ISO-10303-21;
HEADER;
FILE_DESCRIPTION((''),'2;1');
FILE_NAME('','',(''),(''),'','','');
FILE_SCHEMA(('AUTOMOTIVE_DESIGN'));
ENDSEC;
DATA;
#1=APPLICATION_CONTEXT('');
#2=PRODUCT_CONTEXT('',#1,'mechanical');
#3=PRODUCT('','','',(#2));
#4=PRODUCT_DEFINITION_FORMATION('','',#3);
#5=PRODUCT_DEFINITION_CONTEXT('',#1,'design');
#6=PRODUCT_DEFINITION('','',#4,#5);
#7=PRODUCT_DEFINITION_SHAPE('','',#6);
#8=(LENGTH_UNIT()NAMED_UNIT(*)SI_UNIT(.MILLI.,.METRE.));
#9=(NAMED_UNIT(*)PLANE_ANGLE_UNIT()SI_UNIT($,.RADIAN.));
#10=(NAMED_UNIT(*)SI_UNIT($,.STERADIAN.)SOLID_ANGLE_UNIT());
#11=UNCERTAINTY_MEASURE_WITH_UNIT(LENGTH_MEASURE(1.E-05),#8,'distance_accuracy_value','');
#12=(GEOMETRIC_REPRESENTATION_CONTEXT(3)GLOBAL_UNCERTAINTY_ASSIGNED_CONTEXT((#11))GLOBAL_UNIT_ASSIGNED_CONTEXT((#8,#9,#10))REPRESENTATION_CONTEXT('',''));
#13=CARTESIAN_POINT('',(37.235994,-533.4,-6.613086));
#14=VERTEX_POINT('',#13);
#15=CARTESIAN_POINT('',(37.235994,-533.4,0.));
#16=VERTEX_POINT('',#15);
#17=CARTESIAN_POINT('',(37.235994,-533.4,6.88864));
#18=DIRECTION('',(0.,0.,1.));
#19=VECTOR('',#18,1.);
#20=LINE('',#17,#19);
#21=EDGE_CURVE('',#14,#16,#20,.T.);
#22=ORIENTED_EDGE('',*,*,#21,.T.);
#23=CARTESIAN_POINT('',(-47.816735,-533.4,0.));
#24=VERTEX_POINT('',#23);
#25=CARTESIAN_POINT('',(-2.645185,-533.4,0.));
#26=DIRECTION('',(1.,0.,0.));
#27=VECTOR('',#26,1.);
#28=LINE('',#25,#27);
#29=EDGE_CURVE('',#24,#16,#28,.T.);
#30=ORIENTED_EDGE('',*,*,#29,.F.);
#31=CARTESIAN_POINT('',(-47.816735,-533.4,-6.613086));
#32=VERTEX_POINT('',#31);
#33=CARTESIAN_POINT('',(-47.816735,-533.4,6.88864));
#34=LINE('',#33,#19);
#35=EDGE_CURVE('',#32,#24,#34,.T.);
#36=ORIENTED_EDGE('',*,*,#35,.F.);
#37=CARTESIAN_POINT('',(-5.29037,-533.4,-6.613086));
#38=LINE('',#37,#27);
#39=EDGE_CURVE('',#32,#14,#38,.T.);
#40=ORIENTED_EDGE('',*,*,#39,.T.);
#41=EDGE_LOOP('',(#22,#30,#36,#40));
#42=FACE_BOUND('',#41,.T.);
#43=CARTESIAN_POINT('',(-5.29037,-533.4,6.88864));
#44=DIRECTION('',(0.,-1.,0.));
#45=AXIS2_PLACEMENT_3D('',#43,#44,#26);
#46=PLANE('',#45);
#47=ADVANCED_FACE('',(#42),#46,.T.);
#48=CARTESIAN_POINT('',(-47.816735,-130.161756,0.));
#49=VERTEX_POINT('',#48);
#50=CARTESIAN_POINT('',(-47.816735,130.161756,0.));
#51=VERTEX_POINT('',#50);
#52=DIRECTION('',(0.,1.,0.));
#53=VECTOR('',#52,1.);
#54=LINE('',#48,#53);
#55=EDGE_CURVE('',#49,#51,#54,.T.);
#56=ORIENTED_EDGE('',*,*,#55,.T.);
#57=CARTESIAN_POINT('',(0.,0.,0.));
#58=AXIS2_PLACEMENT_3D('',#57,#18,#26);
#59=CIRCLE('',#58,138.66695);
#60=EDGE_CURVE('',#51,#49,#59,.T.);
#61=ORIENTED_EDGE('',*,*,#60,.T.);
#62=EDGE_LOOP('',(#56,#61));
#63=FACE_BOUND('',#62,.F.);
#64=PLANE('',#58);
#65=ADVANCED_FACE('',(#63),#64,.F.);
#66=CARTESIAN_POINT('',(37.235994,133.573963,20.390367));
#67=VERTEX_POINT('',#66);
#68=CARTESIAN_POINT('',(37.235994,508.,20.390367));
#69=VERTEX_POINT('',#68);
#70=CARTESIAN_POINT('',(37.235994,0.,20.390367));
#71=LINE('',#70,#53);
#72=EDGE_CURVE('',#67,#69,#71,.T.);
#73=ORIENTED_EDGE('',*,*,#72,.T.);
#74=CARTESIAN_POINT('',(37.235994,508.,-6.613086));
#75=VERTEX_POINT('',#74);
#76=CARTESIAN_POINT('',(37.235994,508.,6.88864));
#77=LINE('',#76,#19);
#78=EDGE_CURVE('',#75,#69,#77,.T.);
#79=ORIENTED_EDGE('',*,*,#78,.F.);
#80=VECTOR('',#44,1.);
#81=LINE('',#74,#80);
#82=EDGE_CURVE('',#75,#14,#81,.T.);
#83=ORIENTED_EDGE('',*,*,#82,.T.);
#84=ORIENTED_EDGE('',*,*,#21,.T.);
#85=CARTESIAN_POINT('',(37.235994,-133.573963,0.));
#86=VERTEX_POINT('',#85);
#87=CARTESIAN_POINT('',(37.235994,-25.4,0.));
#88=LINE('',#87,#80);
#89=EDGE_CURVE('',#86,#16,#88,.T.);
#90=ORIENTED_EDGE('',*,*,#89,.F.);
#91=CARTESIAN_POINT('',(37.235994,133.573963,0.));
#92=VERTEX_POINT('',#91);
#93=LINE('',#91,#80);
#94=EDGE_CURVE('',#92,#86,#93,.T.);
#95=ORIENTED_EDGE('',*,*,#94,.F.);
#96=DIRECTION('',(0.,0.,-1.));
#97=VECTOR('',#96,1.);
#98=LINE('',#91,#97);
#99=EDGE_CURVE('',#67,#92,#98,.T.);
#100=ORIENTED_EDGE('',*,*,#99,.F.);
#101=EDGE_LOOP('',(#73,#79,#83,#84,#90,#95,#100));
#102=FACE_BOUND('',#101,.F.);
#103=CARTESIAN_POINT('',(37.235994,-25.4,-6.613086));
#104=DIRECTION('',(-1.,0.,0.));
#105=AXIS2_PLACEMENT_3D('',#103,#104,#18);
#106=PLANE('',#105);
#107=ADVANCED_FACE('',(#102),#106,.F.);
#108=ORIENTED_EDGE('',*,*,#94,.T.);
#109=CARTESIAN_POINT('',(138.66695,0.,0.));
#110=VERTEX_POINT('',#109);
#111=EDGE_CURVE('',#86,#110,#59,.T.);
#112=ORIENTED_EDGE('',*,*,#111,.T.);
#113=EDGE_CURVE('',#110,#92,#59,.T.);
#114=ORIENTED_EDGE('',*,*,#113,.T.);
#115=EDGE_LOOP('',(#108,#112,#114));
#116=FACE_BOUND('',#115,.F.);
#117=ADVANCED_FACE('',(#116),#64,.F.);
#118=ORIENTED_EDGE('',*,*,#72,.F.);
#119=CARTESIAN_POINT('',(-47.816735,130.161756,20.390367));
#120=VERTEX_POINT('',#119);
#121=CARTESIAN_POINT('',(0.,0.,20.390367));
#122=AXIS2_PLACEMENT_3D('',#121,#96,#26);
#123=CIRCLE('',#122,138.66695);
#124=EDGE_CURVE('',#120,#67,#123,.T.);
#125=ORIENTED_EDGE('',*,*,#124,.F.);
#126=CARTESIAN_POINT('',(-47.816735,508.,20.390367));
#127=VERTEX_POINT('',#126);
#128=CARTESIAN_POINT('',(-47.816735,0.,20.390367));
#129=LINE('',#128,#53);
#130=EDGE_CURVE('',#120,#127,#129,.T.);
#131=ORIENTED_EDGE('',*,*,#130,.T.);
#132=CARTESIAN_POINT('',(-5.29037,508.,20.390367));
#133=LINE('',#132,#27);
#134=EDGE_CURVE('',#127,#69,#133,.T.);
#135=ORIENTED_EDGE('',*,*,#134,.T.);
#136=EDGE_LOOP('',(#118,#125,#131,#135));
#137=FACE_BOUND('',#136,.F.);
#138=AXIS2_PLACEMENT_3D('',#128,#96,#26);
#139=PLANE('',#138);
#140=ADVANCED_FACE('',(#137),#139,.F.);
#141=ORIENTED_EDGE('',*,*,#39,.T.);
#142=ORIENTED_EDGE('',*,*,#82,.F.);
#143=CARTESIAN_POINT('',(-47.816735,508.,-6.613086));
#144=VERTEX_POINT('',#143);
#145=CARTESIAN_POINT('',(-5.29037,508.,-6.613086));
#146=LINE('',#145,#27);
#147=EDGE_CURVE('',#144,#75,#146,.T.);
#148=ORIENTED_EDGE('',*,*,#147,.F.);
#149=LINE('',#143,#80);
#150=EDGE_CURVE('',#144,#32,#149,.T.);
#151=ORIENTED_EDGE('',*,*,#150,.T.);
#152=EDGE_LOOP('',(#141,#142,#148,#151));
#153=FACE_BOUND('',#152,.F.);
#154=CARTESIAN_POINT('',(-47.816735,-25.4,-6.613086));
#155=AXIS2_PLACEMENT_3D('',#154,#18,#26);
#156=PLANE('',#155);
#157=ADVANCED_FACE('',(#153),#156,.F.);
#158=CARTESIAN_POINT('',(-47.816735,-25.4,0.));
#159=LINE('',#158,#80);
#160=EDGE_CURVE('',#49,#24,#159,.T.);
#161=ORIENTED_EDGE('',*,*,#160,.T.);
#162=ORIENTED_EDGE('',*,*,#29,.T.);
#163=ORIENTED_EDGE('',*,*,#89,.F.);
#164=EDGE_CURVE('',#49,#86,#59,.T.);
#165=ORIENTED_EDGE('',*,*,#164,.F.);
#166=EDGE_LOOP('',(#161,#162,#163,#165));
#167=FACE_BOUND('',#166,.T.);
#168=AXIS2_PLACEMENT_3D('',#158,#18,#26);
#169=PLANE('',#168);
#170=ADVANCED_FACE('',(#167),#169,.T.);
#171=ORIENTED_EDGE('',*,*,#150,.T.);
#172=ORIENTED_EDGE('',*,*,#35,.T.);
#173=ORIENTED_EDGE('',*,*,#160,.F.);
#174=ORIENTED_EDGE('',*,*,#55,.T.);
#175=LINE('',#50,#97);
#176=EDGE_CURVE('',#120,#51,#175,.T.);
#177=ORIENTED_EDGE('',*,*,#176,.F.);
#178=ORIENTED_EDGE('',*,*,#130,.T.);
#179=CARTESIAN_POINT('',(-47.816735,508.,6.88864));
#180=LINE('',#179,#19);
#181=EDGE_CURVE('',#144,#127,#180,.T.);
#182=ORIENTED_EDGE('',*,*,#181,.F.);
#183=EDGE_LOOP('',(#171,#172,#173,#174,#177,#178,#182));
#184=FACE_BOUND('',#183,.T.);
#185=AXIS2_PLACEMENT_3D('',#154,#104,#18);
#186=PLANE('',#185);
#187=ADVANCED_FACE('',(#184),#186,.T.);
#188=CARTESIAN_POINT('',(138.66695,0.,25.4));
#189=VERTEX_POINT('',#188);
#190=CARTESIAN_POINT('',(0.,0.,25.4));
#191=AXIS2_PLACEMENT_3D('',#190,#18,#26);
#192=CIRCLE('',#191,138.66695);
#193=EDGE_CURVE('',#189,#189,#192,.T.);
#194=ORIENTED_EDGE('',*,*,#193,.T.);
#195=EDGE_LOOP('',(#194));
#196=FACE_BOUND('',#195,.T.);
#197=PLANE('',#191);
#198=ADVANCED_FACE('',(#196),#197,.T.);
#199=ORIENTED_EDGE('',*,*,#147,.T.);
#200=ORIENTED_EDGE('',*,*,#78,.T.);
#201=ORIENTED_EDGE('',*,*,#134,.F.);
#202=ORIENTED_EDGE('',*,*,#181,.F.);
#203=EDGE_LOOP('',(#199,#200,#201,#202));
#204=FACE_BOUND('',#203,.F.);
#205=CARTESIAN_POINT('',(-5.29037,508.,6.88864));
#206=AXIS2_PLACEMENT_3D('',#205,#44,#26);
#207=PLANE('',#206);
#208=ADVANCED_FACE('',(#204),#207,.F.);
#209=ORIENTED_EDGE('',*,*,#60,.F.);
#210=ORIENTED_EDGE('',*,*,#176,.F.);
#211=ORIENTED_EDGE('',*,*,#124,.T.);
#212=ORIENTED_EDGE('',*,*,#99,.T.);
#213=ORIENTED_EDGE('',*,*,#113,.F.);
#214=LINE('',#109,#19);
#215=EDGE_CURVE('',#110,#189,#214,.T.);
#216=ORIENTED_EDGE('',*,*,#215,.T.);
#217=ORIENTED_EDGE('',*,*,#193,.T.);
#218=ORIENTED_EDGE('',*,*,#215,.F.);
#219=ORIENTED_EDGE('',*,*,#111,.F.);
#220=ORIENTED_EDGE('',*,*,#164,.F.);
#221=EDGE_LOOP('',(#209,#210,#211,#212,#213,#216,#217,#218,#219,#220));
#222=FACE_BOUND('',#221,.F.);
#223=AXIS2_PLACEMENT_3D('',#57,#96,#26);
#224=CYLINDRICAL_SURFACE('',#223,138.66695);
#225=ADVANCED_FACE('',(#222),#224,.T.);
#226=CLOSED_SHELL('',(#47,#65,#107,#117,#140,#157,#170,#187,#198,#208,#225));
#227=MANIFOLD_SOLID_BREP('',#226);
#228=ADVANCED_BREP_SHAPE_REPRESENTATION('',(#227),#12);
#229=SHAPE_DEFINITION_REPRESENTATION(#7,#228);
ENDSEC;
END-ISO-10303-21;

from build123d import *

# Parameters (mm, degrees)
F0_R          = 138.6669495236
F1_DEPTH      = 25.4
F2_W          = 85.052728653
F2_H          = 27.0034535788
F3_DEPTH      = 508
F3_DEPTH_BACK = 25.4
F4_DEPTH      = 508


with BuildPart() as f1:
    # F0 (on Top) → F1 (new body)
    with BuildSketch(Plane.XY):
        Circle(F0_R)
    extrude(amount=F1_DEPTH)

    # F2 (on Front) → F3 (join, two sides)
    with BuildSketch(Plane.XZ) as f3_sk:
        with Locations((-5.2903704345, 6.888640346)):
            Rectangle(F2_W, F2_H)
    extrude(amount=-F3_DEPTH)
    extrude(f3_sk.sketch, amount=F3_DEPTH_BACK)

    # F4 (add): a face of the model
    f4_faces = [f1.faces().sort_by_distance(p)[0] for p in [
        (-5.2903704345, -25.4, -3.3065432217),
    ]]
    extrude(f4_faces, amount=F4_DEPTH)


solid = f1.part
